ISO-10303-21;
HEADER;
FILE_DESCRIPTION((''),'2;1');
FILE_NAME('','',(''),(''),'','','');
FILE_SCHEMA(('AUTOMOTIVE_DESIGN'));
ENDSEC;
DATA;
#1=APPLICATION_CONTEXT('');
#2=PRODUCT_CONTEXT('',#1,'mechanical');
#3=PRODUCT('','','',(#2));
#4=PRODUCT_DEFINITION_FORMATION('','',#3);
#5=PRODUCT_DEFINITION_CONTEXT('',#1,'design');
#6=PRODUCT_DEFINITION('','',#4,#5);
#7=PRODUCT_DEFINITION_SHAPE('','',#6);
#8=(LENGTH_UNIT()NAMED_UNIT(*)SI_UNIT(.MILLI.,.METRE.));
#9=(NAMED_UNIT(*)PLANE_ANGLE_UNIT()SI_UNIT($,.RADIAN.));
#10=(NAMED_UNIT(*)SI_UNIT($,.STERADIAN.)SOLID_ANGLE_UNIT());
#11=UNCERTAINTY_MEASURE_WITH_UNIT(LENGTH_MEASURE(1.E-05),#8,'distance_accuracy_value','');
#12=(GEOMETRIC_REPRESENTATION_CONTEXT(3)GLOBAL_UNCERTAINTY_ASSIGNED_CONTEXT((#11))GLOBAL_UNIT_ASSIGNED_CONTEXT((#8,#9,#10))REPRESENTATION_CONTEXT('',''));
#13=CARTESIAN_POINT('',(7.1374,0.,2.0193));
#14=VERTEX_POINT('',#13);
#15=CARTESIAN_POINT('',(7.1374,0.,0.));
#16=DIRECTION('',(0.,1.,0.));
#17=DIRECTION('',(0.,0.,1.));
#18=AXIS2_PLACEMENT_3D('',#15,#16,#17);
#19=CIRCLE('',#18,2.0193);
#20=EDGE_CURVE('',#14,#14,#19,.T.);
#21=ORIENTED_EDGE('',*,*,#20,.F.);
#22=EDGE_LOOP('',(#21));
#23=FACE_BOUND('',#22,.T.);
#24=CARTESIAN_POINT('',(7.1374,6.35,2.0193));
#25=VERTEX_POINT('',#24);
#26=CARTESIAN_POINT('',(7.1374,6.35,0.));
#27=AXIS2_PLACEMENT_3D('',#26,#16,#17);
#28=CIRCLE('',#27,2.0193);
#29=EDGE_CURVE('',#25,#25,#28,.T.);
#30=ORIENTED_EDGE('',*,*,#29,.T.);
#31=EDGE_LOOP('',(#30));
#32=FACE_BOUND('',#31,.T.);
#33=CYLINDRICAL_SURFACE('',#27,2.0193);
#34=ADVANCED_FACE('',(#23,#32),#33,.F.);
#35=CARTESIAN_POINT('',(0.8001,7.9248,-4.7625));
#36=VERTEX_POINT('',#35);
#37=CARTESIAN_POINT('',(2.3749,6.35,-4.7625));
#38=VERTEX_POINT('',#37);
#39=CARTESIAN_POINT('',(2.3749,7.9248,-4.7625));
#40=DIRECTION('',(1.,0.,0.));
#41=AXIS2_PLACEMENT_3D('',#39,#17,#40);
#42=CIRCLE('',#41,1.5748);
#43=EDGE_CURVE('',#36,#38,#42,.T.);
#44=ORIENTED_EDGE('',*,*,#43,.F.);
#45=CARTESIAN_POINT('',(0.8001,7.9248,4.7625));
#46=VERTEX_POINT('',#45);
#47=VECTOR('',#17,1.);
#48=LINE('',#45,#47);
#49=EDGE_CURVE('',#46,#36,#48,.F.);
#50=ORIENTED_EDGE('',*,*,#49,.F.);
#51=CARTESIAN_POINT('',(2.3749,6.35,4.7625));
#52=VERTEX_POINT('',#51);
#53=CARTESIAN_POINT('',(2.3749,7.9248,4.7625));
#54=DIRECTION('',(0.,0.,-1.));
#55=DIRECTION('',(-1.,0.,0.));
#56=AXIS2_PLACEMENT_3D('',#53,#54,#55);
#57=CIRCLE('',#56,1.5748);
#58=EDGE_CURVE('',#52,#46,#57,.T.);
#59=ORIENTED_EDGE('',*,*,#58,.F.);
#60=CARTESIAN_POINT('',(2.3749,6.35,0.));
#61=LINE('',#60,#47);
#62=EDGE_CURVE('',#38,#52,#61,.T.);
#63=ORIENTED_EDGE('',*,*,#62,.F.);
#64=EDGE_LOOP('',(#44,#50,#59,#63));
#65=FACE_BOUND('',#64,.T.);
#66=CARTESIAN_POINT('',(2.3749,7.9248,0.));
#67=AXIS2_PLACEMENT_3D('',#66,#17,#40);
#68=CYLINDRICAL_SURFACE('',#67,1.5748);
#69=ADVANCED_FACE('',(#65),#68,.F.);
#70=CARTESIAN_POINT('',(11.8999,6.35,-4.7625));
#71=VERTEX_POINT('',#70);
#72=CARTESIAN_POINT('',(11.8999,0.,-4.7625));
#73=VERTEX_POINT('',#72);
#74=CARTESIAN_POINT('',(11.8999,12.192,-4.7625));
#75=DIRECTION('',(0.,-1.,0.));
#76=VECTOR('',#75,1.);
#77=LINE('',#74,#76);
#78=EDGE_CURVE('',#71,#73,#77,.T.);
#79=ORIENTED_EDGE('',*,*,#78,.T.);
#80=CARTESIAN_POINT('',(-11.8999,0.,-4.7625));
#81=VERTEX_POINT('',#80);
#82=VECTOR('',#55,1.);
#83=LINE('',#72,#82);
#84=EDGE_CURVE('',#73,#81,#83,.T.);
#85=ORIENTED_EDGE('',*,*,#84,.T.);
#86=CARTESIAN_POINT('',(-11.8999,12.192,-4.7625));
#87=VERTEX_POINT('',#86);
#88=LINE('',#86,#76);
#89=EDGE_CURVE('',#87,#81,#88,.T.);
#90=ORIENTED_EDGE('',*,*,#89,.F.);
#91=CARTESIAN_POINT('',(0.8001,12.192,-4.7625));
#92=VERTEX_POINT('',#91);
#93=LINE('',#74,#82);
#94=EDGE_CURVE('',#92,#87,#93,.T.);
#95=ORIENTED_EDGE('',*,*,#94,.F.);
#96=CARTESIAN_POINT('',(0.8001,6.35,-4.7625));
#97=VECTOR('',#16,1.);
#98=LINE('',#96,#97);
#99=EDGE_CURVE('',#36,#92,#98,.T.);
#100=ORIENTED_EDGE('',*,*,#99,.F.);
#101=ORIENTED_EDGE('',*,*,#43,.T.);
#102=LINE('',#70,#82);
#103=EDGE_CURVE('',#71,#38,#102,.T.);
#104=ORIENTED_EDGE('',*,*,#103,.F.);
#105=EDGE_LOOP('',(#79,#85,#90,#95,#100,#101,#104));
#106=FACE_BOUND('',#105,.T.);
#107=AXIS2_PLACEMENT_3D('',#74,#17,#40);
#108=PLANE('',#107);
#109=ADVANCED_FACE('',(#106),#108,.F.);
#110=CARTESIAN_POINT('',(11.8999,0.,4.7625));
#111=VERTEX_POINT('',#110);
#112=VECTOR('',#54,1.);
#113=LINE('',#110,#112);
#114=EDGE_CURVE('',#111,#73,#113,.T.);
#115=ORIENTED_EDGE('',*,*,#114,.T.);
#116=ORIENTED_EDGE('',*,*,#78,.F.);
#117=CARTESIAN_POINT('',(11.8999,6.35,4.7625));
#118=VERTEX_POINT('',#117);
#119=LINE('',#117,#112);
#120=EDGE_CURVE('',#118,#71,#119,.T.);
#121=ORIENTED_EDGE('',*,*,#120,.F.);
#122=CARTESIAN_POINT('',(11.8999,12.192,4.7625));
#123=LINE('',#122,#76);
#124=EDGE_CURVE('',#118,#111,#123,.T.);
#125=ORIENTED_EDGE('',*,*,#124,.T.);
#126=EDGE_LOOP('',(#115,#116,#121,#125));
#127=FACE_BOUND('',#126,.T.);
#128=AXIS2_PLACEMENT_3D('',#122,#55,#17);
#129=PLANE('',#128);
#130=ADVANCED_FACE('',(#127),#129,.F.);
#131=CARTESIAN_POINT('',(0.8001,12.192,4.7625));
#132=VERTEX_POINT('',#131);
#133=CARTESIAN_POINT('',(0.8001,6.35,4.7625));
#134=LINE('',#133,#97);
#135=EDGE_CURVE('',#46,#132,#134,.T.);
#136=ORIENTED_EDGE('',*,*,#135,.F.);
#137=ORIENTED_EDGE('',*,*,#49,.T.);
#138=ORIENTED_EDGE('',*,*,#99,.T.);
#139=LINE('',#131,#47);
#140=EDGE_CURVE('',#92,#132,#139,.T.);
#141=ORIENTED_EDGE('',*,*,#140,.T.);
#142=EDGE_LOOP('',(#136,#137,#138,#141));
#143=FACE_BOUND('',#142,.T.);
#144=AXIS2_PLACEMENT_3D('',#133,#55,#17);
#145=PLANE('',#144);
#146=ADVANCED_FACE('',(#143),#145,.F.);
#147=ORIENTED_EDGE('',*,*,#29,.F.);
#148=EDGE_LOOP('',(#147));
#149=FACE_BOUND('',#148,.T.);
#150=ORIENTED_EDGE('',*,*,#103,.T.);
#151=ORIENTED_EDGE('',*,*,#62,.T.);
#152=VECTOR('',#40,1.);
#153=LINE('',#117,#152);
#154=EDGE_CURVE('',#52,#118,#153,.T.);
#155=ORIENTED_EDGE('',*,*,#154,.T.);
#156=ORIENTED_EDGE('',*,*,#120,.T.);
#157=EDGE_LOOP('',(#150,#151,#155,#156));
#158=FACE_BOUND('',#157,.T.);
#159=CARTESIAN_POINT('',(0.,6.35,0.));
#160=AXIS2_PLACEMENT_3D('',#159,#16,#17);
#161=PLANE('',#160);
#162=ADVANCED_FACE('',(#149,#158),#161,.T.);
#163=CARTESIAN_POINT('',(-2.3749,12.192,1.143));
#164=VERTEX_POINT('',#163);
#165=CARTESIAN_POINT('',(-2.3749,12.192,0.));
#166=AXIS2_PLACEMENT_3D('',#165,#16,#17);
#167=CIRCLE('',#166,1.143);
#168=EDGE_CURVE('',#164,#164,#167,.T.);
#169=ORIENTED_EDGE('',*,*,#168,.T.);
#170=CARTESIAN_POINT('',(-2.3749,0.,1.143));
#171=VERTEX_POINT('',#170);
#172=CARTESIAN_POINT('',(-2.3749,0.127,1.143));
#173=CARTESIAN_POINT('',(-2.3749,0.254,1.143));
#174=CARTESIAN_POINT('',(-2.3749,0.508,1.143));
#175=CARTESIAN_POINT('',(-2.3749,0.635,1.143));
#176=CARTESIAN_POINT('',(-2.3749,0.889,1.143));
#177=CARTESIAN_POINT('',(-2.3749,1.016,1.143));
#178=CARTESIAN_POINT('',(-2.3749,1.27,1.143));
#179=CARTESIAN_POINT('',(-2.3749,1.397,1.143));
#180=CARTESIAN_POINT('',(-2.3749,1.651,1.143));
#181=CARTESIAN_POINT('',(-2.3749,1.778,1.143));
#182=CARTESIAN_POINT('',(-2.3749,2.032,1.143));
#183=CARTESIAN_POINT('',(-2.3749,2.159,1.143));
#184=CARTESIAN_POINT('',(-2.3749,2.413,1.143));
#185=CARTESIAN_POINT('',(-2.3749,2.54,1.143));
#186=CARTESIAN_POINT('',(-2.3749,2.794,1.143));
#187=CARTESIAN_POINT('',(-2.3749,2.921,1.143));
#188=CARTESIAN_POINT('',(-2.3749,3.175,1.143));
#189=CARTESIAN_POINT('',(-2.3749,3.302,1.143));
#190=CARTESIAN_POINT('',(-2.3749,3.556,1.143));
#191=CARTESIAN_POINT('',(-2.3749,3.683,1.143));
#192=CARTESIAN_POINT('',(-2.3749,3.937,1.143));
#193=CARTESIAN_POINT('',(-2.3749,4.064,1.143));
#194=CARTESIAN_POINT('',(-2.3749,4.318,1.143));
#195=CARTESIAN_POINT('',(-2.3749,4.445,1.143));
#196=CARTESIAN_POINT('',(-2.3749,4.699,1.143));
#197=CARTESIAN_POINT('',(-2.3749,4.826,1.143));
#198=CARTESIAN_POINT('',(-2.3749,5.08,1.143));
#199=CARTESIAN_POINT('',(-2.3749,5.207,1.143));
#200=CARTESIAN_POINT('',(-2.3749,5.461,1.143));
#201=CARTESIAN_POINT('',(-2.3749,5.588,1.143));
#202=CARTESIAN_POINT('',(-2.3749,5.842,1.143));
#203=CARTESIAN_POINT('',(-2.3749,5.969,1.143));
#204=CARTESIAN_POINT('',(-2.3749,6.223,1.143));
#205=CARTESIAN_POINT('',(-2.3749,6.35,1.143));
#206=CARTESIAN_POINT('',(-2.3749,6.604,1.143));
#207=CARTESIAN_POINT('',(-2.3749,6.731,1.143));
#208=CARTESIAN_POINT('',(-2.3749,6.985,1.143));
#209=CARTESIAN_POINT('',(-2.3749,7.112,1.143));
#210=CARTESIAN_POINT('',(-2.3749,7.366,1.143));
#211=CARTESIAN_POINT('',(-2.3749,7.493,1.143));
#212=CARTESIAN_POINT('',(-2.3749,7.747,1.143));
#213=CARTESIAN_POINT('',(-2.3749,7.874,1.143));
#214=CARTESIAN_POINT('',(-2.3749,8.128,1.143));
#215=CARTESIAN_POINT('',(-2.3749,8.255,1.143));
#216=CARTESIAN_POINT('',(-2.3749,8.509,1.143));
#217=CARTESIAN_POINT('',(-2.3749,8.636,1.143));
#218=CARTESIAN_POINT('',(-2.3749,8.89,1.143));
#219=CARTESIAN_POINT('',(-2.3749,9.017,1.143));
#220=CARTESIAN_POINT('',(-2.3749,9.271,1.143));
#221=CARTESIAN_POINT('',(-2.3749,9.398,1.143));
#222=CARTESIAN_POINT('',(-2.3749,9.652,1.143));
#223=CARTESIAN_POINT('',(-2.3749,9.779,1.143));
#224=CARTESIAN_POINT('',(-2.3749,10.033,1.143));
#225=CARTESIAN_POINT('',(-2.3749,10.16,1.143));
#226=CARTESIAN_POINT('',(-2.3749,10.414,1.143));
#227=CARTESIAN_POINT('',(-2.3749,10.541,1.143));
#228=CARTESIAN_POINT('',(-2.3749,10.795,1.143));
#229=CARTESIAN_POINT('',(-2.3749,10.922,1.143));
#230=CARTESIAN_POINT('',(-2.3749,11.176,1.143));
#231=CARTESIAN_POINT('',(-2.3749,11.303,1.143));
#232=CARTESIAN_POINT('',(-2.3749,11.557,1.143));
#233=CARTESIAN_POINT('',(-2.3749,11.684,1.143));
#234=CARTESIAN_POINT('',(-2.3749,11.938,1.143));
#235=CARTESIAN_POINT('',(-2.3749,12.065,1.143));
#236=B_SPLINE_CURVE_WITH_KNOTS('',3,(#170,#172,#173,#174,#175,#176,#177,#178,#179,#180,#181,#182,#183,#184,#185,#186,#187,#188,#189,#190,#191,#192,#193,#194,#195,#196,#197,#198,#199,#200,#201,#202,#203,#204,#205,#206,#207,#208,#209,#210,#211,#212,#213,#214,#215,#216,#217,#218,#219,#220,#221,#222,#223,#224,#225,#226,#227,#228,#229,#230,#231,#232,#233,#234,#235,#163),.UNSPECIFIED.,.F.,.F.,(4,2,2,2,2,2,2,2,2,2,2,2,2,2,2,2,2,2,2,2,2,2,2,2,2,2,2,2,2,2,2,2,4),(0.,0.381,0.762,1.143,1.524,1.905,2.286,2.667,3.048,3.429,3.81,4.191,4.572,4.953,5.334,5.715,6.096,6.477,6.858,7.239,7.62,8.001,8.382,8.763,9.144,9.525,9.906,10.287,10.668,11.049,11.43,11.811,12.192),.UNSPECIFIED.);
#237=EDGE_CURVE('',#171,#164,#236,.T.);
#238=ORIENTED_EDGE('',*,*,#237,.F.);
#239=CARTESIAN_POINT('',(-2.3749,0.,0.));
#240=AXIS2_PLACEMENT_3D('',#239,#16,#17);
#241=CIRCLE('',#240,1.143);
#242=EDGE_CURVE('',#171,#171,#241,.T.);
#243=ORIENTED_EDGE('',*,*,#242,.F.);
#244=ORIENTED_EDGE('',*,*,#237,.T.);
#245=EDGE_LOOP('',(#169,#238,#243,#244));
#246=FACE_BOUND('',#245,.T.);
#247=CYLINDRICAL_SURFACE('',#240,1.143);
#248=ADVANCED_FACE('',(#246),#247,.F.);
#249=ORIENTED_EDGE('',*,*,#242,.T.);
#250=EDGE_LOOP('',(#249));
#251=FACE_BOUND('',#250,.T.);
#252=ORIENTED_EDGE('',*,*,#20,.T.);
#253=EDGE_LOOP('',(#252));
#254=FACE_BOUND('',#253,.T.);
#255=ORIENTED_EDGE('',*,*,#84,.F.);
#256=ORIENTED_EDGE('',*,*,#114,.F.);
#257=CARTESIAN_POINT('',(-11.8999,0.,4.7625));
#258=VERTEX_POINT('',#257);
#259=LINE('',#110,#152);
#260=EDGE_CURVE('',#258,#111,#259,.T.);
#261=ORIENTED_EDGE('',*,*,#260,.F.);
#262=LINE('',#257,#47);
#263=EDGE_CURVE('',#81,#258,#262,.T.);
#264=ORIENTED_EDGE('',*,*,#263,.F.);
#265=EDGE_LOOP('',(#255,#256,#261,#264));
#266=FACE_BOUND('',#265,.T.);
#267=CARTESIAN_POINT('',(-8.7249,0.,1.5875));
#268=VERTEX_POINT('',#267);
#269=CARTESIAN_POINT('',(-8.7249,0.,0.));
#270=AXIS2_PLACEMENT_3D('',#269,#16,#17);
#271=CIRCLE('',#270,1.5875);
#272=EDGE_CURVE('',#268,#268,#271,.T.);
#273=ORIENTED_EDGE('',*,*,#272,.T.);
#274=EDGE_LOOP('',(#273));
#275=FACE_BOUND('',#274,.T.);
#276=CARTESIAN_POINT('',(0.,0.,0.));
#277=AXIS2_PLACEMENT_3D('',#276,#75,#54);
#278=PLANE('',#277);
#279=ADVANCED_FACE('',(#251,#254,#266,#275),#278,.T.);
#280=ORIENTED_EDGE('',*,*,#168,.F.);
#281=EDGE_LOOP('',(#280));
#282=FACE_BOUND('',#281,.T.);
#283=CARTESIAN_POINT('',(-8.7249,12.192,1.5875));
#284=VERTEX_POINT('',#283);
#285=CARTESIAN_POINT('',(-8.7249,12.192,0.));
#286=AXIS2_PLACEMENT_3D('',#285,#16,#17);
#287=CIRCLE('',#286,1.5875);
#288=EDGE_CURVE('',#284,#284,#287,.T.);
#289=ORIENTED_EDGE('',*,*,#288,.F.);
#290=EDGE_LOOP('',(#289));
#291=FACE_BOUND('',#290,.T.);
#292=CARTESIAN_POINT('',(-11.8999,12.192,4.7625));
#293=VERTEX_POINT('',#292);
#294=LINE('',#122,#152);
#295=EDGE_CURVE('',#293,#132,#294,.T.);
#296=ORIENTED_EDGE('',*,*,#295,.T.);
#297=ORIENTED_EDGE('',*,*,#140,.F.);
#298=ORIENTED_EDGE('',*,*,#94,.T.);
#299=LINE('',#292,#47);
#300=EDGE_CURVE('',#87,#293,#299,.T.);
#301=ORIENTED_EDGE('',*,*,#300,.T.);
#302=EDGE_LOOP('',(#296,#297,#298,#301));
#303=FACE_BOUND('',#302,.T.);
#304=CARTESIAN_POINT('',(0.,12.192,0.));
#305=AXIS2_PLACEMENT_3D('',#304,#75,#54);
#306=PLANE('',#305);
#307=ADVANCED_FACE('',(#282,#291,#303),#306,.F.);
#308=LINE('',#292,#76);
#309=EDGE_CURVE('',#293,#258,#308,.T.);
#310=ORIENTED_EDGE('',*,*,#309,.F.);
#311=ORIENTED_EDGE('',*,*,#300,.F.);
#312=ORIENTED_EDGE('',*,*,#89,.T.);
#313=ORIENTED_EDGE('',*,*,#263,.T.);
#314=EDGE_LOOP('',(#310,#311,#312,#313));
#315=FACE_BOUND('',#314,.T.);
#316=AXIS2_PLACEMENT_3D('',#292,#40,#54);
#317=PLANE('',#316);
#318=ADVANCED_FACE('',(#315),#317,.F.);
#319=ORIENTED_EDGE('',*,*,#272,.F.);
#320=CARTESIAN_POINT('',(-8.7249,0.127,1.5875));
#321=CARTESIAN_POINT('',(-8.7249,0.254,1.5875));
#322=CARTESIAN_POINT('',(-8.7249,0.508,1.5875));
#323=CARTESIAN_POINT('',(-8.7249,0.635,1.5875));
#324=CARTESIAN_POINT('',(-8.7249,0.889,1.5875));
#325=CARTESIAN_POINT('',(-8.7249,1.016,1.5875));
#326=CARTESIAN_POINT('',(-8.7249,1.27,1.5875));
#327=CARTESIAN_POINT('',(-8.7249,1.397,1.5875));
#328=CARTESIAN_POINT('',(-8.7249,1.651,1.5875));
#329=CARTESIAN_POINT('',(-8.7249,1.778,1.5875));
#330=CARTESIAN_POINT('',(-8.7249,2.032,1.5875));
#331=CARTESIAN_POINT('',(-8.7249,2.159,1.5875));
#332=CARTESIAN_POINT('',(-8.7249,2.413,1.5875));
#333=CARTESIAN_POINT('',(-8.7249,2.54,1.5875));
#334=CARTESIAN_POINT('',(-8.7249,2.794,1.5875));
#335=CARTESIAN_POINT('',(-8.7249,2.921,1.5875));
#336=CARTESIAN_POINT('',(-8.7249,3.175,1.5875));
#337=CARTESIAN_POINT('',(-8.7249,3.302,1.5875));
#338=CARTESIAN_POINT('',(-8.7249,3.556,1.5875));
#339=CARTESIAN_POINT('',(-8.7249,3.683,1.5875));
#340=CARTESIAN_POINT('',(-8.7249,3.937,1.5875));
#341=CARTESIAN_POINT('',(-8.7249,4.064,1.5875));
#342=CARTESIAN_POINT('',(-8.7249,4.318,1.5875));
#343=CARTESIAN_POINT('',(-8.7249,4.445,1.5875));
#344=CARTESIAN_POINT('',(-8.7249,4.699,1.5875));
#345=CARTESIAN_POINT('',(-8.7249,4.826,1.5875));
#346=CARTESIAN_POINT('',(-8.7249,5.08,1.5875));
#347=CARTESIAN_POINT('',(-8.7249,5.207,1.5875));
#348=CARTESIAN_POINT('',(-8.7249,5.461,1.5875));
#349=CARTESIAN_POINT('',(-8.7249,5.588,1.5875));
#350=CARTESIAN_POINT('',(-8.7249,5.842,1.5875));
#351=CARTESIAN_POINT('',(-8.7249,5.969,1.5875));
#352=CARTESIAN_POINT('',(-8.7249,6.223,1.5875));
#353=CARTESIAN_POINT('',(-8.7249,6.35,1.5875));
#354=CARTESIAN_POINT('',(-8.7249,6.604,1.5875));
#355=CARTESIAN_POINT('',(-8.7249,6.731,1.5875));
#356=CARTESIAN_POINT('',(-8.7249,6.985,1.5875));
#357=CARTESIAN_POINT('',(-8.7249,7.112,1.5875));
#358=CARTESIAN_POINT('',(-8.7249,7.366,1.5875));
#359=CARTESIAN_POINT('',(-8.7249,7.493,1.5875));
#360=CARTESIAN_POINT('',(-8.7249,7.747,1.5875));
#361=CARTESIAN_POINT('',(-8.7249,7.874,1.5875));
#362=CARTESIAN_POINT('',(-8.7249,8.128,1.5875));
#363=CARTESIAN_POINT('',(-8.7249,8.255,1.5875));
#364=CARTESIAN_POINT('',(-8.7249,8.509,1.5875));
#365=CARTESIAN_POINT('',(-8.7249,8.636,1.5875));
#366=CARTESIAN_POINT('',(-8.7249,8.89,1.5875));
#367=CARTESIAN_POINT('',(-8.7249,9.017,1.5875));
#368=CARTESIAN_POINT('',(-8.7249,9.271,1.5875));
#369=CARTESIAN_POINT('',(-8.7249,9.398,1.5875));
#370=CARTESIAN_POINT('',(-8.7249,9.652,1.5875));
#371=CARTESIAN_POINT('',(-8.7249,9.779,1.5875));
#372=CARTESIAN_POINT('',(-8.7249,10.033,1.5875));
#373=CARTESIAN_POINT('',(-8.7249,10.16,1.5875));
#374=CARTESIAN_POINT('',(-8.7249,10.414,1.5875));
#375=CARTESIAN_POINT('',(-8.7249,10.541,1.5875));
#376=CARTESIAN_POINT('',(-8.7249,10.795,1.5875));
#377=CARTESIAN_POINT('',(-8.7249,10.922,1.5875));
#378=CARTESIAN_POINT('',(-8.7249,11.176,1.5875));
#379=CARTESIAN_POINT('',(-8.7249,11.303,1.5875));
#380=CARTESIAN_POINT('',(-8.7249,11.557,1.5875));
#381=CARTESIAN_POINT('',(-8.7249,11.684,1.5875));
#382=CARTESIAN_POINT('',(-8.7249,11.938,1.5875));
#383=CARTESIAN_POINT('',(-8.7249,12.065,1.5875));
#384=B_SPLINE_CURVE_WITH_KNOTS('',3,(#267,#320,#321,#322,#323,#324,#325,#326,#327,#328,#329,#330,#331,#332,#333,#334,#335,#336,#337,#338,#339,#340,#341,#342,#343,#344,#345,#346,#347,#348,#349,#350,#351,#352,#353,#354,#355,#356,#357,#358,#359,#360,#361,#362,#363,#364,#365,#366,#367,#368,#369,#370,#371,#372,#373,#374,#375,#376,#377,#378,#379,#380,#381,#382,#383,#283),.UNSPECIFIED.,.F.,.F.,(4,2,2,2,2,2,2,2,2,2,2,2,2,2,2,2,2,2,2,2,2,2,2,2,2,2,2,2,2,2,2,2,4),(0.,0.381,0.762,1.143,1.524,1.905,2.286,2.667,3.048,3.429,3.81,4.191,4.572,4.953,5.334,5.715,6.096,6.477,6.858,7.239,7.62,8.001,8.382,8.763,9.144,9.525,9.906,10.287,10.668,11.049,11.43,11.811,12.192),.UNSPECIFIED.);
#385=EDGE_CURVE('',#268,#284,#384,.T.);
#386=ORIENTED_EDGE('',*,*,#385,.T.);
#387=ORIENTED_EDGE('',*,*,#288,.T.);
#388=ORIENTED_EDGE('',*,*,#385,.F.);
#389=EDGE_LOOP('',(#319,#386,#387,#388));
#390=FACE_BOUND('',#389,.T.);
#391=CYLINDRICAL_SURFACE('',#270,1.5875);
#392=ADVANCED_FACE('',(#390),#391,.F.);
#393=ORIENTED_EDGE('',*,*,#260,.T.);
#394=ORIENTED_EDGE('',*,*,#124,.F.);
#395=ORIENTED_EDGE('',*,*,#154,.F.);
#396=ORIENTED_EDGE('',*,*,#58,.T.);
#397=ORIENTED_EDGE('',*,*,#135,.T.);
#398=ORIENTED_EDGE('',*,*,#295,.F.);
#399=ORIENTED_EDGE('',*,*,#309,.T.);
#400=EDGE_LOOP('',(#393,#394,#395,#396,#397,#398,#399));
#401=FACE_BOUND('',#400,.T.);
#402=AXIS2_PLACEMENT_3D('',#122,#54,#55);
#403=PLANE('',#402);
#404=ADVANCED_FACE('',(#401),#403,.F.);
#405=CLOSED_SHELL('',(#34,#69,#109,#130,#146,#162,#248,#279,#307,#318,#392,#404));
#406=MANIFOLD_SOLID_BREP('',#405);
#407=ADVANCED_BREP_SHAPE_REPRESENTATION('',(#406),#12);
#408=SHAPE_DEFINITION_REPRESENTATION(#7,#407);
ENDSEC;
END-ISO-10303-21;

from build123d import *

# Parameters (mm, degrees)
SKETCH1_W                 = 23.7998
SKETCH1_H                 = 9.525
BOSS_EXTRUDE1_DEPTH       = 12.192
SKETCH2_W                 = 11.0998
SKETCH2_H                 = 9.525
CUT_EXTRUDE1_DEPTH        = 5.842
FILLET1_R                 = 1.5748
F_4_40_TAPPED_HOLE5_D     = 2.2606
F_4_40_TAPPED_HOLE5_DEPTH = 6.35
F_4_40_TAPPED_HOLE5_TIP   = 0.679152758
SKETCH4_R                 = 1.5875
SKETCH4_R_2               = 1.143
CUT_EXTRUDE2_DEPTH        = 18.689937543
F_10_32_TAPPED_HOLE1_D    = 4.0386


with BuildPart() as part:
    # Sketch1 → Boss-Extrude1 (new body)
    with BuildSketch(Plane(origin=(0, 0, 0), x_dir=(1, 0, 0), z_dir=(0, 1, 0))):
        Rectangle(SKETCH1_W, SKETCH1_H)
    extrude(amount=BOSS_EXTRUDE1_DEPTH)

    # Sketch2 → Cut-Extrude1 (cut)
    with BuildSketch(Plane(origin=(0, 12.192, 0), x_dir=(1, 0, 0), z_dir=(0, 1, 0))):
        with Locations((6.35, 0)):
            Rectangle(SKETCH2_W, SKETCH2_H)
    extrude(amount=-CUT_EXTRUDE1_DEPTH, mode=Mode.SUBTRACT)

    # Fillet1
    fillet1_edges = [part.edges().sort_by_distance(p)[0] for p in [
        (0.8001, 6.35, 0),
    ]]
    fillet(fillet1_edges, radius=FILLET1_R)

    # #4-40 Tapped Hole5
    with Locations(Plane(origin=(-2.3749, 12.192, 0), x_dir=(0, 0, 1), z_dir=(0, 1, 0))):
        with Locations((0, 0)):
            Hole(F_4_40_TAPPED_HOLE5_D / 2, depth=F_4_40_TAPPED_HOLE5_DEPTH)
            with Locations((0, 0, -(F_4_40_TAPPED_HOLE5_DEPTH + F_4_40_TAPPED_HOLE5_TIP / 2))):  # 118° drill point
                Cone(0, F_4_40_TAPPED_HOLE5_D / 2, F_4_40_TAPPED_HOLE5_TIP, mode=Mode.SUBTRACT)

    # Sketch4 → Cut-Extrude2 (cut, through all)
    with BuildSketch(Plane(origin=(0, 12.192, 0), x_dir=(1, 0, 0), z_dir=(0, 1, 0))):
        with Locations(Location((-8.7249, 0, 0), (0, 0, 270))):
            Circle(SKETCH4_R)
        with Locations(Location((-2.3749, 0, 0), (0, 0, 270))):
            Circle(SKETCH4_R_2)
    extrude(amount=-CUT_EXTRUDE2_DEPTH, mode=Mode.SUBTRACT)

    # #10-32 Tapped Hole1 (through all)
    with Locations(Plane(origin=(0, 6.35, 0), x_dir=(1, 0, 0), z_dir=(0, 1, 0))):
        with Locations((7.1374, 0)):
            Hole(F_10_32_TAPPED_HOLE1_D / 2)


solid = part.part
